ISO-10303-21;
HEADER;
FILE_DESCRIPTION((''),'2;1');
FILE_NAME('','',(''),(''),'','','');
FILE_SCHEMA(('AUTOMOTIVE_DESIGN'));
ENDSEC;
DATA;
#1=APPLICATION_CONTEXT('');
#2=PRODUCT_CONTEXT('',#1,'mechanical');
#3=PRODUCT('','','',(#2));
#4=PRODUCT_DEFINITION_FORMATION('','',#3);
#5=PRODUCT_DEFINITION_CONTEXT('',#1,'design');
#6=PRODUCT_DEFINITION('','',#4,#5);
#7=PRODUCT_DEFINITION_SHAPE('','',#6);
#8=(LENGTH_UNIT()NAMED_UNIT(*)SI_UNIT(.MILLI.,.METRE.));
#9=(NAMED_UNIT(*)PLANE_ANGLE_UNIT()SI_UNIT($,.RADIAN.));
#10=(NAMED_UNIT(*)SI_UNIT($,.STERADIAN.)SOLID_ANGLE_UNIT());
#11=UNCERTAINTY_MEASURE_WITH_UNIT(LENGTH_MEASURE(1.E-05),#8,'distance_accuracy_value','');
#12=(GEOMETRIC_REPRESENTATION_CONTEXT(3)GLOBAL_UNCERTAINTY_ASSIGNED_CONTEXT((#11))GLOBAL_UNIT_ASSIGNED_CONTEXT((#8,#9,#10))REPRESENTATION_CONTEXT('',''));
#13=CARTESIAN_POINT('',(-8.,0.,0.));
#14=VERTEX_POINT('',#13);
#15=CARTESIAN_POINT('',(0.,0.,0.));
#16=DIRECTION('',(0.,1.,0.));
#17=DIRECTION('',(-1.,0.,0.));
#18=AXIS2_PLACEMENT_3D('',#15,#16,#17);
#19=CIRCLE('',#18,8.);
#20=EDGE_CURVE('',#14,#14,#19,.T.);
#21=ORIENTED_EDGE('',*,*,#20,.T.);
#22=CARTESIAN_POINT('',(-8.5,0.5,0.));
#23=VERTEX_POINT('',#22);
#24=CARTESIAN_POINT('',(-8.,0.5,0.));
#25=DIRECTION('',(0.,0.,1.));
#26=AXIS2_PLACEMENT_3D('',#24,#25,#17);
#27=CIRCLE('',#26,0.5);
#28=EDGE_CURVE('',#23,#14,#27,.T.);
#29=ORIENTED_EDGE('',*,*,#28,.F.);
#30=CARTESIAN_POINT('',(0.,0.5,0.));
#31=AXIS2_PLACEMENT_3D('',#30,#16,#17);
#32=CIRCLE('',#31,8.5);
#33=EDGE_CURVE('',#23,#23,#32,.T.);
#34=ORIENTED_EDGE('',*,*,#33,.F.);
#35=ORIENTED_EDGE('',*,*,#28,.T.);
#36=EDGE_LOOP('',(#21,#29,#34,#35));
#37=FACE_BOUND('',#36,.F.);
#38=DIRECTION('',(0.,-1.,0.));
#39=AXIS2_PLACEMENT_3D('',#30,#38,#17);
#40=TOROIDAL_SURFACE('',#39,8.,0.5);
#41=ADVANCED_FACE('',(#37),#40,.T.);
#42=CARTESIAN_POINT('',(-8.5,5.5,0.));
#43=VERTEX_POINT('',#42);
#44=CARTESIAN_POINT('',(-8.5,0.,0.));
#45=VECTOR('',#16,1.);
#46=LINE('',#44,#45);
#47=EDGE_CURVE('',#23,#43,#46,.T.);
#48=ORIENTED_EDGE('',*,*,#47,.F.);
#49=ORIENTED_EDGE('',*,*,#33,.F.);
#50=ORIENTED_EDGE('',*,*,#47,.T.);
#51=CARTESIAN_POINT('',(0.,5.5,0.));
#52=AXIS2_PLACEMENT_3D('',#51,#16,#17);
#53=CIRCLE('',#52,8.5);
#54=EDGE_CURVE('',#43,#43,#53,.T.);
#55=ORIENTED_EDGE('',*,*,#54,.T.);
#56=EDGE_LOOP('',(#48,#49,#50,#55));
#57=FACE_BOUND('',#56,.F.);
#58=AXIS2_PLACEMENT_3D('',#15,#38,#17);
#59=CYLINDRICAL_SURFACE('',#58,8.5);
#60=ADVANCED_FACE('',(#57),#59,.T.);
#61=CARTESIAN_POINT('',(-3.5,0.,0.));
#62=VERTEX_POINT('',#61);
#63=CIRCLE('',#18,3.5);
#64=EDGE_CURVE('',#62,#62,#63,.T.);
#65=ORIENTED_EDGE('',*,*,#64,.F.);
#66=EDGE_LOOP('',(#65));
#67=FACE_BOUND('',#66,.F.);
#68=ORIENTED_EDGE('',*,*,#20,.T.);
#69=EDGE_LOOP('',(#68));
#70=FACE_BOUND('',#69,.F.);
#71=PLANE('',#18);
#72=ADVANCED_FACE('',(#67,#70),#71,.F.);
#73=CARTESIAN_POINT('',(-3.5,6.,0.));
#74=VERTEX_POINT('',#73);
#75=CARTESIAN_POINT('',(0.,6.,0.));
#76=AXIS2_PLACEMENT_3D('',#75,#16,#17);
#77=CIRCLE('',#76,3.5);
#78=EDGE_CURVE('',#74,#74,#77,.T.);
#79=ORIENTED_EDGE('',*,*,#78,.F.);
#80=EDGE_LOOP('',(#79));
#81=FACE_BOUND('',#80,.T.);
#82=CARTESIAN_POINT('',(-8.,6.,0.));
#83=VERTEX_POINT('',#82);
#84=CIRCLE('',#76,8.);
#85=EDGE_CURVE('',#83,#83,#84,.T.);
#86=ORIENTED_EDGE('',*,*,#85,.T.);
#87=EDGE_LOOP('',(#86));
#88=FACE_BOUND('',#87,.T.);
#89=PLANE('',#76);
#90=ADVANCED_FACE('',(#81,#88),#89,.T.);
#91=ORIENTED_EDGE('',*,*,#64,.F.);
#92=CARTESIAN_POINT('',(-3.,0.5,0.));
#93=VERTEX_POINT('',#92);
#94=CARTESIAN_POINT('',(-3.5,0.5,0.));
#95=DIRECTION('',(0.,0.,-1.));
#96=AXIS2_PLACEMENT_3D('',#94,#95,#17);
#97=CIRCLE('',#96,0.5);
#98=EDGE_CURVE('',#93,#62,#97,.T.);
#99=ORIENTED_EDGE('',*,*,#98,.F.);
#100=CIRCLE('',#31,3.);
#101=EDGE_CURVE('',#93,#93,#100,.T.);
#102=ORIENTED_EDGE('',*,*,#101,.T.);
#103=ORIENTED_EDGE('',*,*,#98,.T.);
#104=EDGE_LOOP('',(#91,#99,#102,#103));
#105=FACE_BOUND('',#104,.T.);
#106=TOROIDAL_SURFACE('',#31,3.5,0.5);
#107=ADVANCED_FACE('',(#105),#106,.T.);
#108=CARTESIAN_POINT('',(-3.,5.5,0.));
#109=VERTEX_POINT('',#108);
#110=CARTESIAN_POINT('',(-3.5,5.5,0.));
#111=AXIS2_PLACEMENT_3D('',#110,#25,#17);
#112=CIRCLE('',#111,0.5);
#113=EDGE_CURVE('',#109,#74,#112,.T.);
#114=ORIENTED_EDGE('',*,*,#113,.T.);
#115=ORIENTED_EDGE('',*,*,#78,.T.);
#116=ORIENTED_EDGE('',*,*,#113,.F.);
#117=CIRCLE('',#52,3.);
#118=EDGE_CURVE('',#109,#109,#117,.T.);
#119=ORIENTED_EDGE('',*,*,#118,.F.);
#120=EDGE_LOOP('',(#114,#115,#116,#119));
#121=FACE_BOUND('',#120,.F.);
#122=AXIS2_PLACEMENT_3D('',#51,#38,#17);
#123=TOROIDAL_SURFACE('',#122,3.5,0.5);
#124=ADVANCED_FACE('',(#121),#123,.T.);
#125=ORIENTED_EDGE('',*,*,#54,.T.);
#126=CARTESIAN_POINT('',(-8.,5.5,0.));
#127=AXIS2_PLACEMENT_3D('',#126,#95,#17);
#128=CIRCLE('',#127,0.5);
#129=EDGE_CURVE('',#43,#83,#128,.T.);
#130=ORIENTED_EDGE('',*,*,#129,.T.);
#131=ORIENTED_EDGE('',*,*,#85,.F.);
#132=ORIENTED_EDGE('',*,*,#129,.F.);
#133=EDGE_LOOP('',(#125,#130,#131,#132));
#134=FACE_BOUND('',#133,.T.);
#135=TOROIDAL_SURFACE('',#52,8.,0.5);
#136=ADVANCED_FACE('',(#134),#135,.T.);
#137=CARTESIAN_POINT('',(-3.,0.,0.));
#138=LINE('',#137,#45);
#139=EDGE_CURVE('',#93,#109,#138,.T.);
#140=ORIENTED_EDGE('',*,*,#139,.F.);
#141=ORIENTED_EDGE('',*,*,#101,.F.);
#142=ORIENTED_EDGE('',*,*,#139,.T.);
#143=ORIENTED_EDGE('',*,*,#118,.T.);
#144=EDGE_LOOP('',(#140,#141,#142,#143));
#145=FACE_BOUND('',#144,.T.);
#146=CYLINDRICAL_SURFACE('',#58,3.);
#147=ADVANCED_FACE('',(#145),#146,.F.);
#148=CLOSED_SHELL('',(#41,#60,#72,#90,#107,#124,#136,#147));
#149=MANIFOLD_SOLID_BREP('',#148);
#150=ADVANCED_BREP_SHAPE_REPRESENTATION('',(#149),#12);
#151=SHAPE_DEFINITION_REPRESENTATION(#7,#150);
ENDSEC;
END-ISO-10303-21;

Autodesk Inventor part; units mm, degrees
ref_plane "YZ Plane" through (0, 0, 0) normal (1, 0, 0) x (0, 1, 0)
ref_plane "XZ Plane" through (0, 0, 0) normal (0, 1, 0) x (-1, 0, 0)
ref_plane "XY Plane" through (0, 0, 0) normal (0, 0, 1) x (1, 0, 0)
sketch "スケッチ1" plane through (0, 0, 0) normal (0, 1, 0) x (-1, 0, 0)
  circle A0 centre (0, 0) radius 8.5
  circle A1 centre (0, 0) radius 3
  dimension "d0" = 17
  dimension "d1" = 6
extrude "押し出し1" add sketch "スケッチ1" along normal blind 6
fillet "フィレット1" radius 0.5 4 edges at (8.5, 0, 0) (8.5, 6, 0) (3, 0, 0) (3, 6, 0)
properties part number "ベアリング_6-17" material "鋼、炭素鋼"
